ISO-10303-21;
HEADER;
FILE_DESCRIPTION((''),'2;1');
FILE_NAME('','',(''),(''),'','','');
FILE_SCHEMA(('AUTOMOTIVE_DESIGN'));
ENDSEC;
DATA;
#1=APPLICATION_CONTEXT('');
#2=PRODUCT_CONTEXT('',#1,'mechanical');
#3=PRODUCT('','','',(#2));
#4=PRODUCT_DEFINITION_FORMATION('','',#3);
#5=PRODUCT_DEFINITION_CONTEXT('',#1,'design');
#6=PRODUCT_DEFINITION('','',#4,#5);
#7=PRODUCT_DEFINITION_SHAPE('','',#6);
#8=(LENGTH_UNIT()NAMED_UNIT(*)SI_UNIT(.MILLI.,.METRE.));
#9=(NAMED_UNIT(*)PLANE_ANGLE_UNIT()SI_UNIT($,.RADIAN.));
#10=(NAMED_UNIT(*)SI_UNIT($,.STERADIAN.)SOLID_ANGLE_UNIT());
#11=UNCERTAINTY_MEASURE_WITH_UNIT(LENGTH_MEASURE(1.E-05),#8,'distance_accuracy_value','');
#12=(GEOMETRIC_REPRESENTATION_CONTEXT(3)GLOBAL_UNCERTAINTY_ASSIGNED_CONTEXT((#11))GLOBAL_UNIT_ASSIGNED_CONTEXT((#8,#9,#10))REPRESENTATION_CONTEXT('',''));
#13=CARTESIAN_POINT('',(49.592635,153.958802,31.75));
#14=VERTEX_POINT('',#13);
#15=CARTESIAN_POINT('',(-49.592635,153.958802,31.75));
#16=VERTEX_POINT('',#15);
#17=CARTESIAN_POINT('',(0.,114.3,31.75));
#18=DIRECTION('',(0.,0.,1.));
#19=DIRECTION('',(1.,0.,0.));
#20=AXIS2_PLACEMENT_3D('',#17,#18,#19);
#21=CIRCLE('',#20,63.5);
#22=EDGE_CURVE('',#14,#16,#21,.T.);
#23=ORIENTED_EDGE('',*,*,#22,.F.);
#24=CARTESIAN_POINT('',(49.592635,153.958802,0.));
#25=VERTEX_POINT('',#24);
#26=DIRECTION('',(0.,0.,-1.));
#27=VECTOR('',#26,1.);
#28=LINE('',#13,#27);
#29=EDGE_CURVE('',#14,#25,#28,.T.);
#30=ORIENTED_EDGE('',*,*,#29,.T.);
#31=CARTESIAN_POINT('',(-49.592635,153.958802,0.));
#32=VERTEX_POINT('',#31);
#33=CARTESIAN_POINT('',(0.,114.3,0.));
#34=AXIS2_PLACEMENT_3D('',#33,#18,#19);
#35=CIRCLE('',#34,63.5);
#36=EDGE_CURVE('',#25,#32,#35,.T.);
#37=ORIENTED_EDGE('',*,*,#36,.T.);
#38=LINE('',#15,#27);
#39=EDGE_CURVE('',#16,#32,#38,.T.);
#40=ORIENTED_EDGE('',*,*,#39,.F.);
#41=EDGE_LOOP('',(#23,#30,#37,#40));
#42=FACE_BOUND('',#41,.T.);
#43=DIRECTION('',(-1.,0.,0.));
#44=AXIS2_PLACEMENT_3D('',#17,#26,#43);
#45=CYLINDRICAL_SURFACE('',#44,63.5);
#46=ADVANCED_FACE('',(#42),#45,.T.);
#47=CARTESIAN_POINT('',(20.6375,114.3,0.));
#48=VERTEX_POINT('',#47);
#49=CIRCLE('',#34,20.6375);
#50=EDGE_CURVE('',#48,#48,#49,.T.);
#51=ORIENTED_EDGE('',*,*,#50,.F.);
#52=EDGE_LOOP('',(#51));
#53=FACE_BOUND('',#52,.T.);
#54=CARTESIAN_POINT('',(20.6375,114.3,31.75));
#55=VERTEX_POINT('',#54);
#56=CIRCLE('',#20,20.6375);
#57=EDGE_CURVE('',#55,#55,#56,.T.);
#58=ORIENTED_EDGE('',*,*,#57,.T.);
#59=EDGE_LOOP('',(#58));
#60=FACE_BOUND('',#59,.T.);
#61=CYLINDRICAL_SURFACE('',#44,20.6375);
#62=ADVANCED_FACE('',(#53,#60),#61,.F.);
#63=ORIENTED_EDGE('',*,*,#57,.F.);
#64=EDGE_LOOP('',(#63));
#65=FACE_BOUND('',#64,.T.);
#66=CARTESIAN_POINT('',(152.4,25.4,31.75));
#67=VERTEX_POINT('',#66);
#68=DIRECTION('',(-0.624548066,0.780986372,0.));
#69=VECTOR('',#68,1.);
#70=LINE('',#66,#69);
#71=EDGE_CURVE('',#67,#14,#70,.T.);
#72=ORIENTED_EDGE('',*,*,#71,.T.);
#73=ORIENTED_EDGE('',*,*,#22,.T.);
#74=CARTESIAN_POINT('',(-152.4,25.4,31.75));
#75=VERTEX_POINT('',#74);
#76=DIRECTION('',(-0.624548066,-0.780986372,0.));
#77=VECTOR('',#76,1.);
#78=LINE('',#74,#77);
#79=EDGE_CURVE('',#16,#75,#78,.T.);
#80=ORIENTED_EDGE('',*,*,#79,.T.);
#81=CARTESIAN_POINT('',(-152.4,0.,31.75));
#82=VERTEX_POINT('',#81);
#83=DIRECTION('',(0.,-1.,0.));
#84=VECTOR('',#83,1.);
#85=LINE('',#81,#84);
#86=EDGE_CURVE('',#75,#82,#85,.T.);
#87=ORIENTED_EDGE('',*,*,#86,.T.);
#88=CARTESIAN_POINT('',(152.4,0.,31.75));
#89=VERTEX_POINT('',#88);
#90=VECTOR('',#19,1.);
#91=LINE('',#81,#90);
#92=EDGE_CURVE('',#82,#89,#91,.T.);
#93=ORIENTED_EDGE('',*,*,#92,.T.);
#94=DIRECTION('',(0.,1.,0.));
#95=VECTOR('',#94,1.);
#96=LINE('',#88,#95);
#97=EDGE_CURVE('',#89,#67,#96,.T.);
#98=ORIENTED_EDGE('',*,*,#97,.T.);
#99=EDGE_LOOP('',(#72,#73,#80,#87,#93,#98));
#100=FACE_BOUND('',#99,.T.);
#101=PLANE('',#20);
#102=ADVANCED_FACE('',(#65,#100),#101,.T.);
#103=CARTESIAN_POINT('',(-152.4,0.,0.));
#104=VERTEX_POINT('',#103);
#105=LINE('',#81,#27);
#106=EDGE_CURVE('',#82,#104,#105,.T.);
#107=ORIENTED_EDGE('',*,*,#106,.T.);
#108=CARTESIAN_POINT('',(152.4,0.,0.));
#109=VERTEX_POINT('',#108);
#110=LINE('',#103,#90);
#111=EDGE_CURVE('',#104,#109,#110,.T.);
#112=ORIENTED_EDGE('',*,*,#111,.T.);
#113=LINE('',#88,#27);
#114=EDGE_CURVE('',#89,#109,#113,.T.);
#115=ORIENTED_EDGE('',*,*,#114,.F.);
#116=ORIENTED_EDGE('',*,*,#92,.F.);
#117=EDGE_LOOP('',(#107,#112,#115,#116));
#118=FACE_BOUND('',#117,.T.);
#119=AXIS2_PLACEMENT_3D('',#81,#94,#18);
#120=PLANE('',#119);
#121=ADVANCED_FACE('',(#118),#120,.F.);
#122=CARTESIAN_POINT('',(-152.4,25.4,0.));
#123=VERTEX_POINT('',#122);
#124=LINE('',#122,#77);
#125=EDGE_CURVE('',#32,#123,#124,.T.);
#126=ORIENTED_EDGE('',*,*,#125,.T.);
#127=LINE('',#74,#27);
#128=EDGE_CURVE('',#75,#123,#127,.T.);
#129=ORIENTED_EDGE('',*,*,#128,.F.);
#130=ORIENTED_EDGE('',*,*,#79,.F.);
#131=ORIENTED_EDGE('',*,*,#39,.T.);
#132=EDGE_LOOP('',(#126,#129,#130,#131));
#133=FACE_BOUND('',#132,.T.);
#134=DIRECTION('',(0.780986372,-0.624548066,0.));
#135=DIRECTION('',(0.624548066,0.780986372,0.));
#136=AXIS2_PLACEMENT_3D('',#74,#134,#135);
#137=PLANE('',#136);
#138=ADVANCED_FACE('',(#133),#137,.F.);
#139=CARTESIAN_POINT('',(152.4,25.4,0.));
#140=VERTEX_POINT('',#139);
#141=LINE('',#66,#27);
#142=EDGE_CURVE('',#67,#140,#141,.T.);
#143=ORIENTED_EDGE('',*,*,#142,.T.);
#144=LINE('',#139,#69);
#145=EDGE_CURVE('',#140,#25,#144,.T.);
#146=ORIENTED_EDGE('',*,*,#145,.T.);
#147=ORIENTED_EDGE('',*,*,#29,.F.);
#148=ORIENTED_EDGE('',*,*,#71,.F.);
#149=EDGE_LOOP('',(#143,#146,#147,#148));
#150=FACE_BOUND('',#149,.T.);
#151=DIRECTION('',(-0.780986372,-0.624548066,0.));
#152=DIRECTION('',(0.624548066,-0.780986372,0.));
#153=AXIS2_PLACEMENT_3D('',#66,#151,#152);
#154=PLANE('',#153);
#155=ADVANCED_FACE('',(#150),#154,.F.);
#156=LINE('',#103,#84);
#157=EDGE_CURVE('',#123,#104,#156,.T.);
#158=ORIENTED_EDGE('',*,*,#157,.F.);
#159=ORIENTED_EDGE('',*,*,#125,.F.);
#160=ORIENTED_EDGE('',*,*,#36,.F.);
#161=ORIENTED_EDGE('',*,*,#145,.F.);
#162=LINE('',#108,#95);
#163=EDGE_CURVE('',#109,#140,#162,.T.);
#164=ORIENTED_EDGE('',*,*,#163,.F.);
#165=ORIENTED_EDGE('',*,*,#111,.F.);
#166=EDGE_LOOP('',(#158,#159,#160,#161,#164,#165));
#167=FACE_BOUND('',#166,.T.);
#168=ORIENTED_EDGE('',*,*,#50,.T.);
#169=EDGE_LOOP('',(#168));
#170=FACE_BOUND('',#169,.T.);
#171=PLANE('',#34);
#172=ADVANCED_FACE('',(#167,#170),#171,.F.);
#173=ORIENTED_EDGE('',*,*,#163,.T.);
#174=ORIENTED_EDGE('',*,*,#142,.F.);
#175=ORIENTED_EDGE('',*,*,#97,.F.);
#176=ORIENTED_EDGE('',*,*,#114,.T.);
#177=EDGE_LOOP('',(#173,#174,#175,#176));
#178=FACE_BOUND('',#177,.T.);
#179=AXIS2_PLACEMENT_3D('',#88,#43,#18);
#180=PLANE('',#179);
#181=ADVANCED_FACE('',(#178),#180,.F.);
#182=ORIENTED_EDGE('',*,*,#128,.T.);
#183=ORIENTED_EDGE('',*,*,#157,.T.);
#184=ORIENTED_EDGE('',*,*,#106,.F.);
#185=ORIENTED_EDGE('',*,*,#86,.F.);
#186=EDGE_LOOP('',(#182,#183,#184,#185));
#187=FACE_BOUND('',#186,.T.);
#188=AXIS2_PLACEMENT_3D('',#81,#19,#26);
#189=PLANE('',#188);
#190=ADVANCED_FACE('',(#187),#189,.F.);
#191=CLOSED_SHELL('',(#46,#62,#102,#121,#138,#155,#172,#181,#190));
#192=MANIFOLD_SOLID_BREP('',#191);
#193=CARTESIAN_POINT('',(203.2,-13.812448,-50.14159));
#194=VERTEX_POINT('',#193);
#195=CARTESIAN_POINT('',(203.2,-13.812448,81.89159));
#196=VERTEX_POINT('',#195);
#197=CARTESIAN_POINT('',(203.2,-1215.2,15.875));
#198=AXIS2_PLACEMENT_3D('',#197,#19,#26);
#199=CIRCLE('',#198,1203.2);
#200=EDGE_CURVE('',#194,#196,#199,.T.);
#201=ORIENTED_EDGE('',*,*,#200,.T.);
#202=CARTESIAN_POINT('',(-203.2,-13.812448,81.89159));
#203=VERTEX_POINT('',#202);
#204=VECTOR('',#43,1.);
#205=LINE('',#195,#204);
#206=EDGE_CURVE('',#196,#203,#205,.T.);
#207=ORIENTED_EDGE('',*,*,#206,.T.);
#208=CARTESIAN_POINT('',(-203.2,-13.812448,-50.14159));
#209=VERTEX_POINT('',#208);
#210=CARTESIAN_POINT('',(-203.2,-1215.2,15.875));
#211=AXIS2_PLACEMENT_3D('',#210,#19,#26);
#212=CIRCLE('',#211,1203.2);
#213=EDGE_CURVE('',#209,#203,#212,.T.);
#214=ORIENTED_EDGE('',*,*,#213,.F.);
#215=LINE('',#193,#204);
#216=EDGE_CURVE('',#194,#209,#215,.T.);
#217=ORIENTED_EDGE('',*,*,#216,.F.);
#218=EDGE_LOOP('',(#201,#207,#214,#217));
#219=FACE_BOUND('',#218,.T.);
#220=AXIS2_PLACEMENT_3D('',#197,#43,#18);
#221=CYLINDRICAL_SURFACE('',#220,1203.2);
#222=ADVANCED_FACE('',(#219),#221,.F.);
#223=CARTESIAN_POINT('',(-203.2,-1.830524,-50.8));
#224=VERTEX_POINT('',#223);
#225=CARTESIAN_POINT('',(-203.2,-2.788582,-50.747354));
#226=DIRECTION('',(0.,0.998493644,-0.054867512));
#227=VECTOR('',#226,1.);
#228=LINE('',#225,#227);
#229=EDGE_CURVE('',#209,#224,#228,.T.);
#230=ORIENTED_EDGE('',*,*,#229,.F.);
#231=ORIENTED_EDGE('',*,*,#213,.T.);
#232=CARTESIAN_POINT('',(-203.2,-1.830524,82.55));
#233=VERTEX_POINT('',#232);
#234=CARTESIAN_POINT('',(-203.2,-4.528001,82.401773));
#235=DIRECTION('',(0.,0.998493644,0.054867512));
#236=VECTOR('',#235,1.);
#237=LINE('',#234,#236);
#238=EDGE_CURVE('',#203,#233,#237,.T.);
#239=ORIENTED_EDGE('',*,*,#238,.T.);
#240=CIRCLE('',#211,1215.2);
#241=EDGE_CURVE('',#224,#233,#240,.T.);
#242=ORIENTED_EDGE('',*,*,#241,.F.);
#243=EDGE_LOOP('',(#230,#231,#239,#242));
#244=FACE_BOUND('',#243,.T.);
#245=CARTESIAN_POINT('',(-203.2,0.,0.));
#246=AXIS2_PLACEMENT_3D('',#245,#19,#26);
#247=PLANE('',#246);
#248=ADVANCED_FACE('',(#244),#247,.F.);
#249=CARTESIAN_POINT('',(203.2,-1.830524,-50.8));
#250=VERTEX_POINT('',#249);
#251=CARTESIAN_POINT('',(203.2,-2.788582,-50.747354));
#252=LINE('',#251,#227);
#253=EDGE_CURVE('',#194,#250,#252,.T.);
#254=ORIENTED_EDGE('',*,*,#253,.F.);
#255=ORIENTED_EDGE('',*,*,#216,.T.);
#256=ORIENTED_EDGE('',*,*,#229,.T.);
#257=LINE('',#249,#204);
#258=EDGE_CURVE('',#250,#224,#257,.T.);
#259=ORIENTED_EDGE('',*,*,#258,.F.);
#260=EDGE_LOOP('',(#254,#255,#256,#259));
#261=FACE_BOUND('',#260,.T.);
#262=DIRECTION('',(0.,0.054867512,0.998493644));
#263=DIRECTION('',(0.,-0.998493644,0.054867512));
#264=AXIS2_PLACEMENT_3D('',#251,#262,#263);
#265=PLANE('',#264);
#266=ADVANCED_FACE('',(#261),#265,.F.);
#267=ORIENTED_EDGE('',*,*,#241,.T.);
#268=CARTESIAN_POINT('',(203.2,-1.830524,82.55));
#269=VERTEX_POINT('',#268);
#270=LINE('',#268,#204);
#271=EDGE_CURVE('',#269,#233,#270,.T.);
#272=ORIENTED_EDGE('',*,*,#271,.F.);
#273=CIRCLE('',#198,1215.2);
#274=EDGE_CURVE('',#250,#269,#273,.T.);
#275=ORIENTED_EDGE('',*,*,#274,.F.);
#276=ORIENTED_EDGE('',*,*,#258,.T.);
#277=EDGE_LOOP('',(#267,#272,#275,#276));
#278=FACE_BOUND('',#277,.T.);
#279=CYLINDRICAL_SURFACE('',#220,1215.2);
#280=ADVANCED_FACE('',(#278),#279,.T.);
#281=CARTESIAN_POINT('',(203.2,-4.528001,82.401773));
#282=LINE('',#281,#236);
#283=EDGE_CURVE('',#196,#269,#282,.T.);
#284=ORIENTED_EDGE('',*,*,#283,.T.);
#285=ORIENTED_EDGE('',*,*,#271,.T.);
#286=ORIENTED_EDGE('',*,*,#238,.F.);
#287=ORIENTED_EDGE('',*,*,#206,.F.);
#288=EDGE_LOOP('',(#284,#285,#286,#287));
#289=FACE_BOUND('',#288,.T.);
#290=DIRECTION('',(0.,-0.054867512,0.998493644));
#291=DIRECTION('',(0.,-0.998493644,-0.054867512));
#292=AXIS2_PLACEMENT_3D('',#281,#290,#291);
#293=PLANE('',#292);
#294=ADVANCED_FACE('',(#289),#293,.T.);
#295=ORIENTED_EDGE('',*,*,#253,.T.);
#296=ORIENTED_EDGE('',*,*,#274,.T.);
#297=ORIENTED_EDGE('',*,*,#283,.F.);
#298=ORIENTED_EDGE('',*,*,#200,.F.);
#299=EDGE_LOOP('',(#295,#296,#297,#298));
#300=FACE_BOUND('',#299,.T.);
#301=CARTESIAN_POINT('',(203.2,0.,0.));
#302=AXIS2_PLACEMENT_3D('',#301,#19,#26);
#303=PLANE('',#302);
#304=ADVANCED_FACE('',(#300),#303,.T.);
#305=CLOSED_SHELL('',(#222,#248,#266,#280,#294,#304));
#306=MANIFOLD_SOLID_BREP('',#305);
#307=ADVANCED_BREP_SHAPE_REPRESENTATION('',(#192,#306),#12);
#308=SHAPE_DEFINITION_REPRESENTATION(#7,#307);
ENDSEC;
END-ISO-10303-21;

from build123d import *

# Parameters (mm, degrees)
SKETCH1_R           = 20.6375
BOSS_EXTRUDE4_DEPTH = 31.75
BOSS_EXTRUDE6_DEPTH = 203.2


with BuildPart() as part:
    # Sketch1 → Boss-Extrude4 (new body)
    with BuildSketch(Plane.XY):
        with BuildLine():
            Line((-152.4, 0), (152.4, 0))
            Line((152.4, 0), (152.4, 25.4))
            Line((152.4, 25.4), (49.592634616, 153.958802199))
            ThreePointArc((49.592634616, 153.958802199), (0, 177.8), (-49.592634616, 153.958802199))
            Line((-49.592634616, 153.958802199), (-152.4, 25.4))
            Line((-152.4, 25.4), (-152.4, 0))
        make_face()
        with Locations((0, 114.3)):
            Circle(SKETCH1_R, mode=Mode.SUBTRACT)
    extrude(amount=BOSS_EXTRUDE4_DEPTH)


with BuildPart() as body_2:
    # Sketch5 → Boss-Extrude6 (new, symmetric)
    with BuildSketch(Plane(origin=(0, 0, 0), x_dir=(0, 0, -1), z_dir=(1, 0, 0))):
        with BuildLine():
            Line((-82.55, -1.830524376), (-81.891589862, -13.812448099))
            ThreePointArc((-81.891589862, -13.812448099), (-15.875, -12), (50.141589862, -13.812448099))
            Line((50.141589862, -13.812448099), (50.8, -1.830524376))
            ThreePointArc((50.8, -1.830524376), (-15.875, 0), (-82.55, -1.830524376))
        make_face()
    extrude(amount=BOSS_EXTRUDE6_DEPTH, both=True)


solid = Compound([part.part, body_2.part])
